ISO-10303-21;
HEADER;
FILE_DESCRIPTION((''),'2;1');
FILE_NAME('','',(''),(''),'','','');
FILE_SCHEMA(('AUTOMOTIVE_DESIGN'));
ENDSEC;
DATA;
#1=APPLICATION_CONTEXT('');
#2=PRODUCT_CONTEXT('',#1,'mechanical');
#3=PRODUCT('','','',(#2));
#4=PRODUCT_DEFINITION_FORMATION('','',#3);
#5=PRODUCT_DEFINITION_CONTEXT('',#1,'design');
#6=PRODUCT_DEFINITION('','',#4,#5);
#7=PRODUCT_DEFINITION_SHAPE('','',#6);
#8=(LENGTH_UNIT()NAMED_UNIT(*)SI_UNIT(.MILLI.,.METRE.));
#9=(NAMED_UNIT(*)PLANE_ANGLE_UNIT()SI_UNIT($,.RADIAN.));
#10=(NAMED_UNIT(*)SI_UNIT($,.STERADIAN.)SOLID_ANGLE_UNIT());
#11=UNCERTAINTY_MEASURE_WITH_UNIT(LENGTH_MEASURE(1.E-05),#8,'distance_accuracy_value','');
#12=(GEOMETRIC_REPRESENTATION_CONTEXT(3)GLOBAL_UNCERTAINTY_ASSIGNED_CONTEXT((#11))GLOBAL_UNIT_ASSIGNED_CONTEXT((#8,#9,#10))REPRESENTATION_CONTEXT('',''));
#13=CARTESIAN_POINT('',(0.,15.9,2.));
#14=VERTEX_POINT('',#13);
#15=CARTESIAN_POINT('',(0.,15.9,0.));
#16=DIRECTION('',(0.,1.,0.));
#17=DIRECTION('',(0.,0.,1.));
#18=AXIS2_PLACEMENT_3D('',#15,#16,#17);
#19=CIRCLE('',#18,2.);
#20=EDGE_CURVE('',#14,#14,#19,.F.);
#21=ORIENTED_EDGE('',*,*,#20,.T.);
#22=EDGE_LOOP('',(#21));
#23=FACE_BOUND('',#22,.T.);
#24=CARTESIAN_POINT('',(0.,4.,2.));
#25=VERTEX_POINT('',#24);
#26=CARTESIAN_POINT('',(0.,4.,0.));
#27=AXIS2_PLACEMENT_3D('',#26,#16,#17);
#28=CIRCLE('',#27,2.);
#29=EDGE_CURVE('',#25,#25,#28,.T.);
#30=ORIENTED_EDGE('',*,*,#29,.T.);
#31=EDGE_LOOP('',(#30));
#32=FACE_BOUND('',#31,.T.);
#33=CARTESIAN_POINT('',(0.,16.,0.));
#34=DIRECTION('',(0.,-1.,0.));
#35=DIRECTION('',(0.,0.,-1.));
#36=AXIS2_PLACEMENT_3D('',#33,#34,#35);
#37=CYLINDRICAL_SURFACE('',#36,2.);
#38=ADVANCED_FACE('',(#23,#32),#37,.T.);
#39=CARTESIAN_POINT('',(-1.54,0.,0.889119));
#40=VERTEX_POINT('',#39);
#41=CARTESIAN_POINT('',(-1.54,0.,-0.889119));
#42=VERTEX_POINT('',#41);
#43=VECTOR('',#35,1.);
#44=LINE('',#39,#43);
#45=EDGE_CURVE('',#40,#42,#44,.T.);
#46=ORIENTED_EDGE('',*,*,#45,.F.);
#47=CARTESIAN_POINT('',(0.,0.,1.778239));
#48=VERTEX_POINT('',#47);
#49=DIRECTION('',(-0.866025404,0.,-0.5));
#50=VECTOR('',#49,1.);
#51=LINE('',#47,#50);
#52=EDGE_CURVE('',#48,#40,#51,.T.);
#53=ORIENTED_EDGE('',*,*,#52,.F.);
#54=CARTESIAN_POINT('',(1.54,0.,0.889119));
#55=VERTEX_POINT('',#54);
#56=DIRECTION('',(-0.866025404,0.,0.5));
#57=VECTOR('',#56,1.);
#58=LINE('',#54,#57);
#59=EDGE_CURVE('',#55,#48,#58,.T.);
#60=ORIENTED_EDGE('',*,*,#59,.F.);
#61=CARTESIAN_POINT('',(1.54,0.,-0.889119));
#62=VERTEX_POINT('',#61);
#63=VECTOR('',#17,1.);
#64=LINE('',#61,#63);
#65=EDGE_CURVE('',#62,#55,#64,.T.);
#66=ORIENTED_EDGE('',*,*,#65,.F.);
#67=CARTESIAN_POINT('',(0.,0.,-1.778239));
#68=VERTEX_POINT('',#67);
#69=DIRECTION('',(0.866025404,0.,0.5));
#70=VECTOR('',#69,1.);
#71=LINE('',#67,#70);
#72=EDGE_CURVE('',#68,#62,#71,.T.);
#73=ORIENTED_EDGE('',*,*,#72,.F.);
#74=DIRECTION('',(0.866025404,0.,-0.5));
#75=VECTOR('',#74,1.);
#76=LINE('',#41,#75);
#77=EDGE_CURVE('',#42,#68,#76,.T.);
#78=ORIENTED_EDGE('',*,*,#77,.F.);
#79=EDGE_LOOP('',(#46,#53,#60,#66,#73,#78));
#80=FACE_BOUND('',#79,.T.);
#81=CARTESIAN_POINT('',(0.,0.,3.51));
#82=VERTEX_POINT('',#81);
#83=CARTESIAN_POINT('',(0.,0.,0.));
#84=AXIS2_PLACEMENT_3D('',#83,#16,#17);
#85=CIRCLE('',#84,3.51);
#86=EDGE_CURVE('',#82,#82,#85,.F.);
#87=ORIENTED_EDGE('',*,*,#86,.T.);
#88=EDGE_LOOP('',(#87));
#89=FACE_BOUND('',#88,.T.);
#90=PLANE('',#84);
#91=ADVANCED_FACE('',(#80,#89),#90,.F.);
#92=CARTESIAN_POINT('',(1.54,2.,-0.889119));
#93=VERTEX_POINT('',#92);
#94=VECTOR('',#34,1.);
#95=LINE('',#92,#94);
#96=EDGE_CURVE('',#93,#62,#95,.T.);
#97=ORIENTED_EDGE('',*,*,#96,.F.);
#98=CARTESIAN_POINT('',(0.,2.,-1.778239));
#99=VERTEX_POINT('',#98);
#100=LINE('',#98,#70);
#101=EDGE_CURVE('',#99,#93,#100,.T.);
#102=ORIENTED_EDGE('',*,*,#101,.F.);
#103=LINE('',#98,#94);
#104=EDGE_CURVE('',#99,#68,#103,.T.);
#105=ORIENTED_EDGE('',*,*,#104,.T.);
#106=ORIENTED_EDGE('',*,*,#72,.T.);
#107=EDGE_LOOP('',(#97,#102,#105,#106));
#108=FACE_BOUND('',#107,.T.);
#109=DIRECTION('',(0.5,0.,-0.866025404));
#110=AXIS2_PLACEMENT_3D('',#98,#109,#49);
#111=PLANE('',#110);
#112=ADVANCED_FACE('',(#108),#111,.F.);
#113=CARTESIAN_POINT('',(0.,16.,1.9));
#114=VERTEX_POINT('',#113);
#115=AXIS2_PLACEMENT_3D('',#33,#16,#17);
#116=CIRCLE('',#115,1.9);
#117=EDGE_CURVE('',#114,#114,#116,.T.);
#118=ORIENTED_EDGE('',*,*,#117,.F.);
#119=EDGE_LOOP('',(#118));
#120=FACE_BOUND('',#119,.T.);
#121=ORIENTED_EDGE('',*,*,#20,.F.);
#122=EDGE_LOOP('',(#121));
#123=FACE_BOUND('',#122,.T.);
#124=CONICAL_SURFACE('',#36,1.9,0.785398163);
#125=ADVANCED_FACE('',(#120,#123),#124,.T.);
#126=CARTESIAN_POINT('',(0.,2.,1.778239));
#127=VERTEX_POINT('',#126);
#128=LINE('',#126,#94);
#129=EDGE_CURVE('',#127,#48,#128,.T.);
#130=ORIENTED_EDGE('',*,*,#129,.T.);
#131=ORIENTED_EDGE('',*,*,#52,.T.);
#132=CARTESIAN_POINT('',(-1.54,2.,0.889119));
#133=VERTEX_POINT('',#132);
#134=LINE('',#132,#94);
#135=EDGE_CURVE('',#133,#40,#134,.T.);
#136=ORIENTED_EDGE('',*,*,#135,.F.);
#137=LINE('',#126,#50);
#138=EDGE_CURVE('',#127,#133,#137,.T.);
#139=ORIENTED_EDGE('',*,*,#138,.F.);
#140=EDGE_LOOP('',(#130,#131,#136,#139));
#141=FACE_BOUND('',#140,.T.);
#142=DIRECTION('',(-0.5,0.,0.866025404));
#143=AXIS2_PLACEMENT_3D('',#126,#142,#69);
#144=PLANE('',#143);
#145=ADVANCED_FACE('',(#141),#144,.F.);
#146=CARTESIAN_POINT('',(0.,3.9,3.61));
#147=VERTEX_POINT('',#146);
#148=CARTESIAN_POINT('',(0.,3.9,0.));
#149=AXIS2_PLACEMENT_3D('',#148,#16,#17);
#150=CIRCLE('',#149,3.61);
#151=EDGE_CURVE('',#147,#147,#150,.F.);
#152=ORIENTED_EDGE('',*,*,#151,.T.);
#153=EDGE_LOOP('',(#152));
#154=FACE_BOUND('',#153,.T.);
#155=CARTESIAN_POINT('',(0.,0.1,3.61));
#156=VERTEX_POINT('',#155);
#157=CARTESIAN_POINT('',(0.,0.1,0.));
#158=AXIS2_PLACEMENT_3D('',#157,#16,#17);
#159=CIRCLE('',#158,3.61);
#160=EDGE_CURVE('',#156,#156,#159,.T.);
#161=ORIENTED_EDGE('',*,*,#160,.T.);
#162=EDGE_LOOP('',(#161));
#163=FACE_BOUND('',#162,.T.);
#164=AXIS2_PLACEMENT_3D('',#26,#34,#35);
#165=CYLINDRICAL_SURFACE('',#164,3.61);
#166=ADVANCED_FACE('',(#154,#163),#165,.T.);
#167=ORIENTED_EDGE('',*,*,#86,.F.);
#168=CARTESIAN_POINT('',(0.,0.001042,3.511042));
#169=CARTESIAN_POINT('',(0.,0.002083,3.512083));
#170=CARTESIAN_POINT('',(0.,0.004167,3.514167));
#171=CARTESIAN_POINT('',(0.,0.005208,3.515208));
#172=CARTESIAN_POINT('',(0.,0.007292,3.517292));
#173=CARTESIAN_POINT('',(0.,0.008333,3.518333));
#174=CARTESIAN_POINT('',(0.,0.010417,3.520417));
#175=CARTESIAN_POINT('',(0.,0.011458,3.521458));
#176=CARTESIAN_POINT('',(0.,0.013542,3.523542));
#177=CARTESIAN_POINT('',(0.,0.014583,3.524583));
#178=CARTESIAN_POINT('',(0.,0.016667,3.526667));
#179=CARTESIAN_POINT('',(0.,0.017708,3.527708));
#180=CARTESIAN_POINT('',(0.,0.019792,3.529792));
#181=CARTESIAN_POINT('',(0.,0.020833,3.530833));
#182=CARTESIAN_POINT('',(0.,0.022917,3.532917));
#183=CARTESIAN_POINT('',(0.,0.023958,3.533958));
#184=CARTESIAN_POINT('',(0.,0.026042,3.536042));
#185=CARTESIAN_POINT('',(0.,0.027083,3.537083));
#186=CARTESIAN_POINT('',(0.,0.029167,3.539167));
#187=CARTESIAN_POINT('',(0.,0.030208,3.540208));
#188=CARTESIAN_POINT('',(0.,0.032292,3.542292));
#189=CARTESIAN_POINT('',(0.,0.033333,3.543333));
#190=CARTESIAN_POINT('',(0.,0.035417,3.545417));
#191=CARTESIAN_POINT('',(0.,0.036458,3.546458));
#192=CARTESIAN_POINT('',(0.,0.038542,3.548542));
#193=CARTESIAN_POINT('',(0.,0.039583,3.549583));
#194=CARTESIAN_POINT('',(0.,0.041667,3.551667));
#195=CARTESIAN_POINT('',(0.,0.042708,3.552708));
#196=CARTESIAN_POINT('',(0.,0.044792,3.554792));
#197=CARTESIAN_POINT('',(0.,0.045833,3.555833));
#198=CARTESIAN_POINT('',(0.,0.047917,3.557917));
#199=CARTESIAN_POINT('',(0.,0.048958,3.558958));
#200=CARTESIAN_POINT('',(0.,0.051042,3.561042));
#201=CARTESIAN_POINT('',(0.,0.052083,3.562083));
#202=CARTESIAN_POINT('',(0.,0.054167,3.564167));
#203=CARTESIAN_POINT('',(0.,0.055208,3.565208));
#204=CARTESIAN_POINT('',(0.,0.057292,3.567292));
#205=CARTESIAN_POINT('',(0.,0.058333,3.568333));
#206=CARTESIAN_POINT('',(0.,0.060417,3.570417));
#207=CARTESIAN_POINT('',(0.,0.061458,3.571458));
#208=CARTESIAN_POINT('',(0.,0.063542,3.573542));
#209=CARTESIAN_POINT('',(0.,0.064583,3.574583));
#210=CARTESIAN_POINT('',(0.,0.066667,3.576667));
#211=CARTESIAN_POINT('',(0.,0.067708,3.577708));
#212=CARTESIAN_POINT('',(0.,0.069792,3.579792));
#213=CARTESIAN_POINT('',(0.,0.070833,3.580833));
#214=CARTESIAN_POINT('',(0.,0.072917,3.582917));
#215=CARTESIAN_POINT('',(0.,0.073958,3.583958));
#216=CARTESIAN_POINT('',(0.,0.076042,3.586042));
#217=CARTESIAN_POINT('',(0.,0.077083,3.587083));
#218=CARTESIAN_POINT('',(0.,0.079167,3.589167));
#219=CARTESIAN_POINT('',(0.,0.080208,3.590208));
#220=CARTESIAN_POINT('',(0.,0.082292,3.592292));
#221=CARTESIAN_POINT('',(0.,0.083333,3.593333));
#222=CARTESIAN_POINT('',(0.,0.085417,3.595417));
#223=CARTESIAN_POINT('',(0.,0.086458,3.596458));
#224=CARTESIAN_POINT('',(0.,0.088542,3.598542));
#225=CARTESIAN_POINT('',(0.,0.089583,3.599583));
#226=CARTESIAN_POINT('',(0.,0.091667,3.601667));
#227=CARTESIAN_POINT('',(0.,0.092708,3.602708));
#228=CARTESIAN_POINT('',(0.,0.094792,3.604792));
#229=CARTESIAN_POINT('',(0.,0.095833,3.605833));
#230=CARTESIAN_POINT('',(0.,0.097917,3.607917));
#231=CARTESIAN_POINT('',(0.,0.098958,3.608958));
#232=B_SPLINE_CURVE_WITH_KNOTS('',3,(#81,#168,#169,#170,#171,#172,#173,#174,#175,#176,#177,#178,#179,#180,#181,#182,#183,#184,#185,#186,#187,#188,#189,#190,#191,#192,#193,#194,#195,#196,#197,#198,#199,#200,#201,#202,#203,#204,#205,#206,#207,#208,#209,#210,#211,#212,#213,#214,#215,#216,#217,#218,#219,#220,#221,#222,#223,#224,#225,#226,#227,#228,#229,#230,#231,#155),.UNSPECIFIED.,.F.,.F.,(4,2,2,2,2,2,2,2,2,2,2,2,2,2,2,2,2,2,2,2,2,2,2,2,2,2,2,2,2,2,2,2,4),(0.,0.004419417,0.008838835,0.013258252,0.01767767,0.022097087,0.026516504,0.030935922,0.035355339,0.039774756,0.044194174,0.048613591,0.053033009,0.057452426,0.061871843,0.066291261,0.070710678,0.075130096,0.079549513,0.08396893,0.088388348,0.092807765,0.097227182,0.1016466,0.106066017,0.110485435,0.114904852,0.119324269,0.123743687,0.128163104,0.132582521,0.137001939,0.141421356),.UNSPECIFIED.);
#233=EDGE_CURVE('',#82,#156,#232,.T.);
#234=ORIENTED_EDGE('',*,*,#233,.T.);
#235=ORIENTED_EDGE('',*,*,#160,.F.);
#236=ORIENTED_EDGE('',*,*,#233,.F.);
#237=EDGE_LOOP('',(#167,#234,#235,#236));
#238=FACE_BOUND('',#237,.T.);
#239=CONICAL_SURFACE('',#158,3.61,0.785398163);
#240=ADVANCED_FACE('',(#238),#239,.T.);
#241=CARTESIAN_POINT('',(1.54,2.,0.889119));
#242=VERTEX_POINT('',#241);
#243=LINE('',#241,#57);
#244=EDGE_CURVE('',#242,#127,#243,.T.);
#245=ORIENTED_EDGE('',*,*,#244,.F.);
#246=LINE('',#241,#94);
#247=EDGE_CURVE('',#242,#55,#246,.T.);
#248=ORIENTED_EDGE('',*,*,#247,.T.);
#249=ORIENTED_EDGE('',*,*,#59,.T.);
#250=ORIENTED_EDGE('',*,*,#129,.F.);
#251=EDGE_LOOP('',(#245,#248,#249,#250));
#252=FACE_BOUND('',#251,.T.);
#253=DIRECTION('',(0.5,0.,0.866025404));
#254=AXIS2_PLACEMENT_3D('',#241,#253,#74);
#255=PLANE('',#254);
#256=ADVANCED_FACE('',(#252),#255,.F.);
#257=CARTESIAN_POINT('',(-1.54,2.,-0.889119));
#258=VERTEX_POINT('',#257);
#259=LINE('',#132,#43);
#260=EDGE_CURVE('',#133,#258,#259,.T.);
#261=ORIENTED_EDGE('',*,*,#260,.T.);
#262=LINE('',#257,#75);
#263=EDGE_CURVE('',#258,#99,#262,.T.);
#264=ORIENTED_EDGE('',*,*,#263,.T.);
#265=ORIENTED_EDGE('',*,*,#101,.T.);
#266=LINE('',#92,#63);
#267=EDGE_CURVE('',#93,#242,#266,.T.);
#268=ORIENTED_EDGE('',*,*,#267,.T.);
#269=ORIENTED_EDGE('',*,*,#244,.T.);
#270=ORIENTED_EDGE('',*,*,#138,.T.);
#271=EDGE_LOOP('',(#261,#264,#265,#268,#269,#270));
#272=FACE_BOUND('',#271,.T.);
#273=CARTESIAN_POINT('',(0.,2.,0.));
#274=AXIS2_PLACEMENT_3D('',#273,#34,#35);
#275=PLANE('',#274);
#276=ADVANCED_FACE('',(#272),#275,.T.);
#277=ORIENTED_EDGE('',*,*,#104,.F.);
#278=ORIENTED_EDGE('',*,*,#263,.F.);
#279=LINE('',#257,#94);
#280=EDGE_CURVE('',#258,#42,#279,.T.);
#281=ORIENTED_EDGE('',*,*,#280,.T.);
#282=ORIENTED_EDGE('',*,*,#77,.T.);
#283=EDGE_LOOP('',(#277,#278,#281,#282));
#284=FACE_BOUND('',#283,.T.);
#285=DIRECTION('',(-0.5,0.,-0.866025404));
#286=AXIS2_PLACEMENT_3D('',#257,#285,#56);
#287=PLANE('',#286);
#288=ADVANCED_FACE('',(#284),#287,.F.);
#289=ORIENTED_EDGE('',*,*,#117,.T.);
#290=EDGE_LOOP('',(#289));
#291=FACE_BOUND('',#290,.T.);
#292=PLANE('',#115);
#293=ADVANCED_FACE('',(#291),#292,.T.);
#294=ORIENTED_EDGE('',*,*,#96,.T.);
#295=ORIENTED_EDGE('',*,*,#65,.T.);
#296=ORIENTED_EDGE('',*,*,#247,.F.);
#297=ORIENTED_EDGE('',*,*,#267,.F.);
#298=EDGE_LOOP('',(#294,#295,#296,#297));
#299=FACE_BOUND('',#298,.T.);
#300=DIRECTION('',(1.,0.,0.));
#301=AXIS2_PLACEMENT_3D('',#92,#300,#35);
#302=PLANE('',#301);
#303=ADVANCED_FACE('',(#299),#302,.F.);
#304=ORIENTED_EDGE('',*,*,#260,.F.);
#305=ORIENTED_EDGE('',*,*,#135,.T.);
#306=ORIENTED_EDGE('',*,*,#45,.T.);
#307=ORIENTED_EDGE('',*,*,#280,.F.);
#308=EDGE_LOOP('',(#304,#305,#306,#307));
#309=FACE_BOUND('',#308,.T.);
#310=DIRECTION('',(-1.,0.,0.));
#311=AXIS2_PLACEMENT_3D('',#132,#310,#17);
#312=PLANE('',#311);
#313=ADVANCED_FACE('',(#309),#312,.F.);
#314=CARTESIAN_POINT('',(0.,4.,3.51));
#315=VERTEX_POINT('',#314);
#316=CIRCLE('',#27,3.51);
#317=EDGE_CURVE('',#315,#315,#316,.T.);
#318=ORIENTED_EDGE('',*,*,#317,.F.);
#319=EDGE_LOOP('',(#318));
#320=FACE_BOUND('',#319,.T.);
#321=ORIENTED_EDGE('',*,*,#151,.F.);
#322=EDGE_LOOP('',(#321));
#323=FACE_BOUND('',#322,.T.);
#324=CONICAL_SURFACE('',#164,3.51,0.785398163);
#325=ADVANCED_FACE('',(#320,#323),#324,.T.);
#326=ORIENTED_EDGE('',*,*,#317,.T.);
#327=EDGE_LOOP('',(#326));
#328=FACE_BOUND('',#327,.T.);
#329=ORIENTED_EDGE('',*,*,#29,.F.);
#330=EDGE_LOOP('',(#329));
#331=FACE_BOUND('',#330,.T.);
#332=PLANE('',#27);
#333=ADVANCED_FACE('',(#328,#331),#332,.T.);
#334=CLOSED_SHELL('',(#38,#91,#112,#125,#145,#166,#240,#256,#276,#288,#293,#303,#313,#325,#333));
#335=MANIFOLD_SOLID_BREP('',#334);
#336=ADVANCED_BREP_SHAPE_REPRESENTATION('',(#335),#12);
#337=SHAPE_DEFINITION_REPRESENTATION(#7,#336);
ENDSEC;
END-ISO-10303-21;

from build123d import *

# Parameters (mm, degrees)
SKETCH_1_R            = 3.61
EXTRUDE_259_DEPTH     = 4
SKETCH_2_R            = 2
EXTRUDE_342_DEPTH     = 12
CUT_EXTRUDE_525_DEPTH = 2
CHAMFER_587_SIZE      = 0.1


with BuildPart() as part:
    # 草图1 → Extrude 259 (new body)
    with BuildSketch(Plane(origin=(0, 0, 0), x_dir=(1, 0, 0), z_dir=(0, 1, 0))):
        with Locations(Location((0, 0, 0), (0, 0, 270))):
            Circle(SKETCH_1_R)
    extrude(amount=EXTRUDE_259_DEPTH)

    # 草图2 → Extrude 342 (add)
    with BuildSketch(Plane(origin=(0, 4, 0), x_dir=(1, 0, 0), z_dir=(0, 1, 0))):
        with Locations(Location((0, 0, 0), (0, 0, 270))):
            Circle(SKETCH_2_R)
    extrude(amount=EXTRUDE_342_DEPTH)

    # 草图3 → Cut-Extrude 525 (cut)
    with BuildSketch(Plane.XZ):
        Polygon((1.54, -0.889119415), (1.54, 0.889119415), (0, 1.778238829), (-1.54, 0.889119415), (-1.54, -0.889119415), (0, -1.778238829), align=None)
    extrude(amount=-CUT_EXTRUDE_525_DEPTH, mode=Mode.SUBTRACT)

    # Chamfer 587
    chamfer_587_edges = [part.edges().sort_by_distance(p)[0] for p in [
        (0, 0, -3.61),
        (0, 4, -3.61),
        (0, 16, -2),
    ]]
    chamfer(chamfer_587_edges, length=CHAMFER_587_SIZE)


solid = part.part
